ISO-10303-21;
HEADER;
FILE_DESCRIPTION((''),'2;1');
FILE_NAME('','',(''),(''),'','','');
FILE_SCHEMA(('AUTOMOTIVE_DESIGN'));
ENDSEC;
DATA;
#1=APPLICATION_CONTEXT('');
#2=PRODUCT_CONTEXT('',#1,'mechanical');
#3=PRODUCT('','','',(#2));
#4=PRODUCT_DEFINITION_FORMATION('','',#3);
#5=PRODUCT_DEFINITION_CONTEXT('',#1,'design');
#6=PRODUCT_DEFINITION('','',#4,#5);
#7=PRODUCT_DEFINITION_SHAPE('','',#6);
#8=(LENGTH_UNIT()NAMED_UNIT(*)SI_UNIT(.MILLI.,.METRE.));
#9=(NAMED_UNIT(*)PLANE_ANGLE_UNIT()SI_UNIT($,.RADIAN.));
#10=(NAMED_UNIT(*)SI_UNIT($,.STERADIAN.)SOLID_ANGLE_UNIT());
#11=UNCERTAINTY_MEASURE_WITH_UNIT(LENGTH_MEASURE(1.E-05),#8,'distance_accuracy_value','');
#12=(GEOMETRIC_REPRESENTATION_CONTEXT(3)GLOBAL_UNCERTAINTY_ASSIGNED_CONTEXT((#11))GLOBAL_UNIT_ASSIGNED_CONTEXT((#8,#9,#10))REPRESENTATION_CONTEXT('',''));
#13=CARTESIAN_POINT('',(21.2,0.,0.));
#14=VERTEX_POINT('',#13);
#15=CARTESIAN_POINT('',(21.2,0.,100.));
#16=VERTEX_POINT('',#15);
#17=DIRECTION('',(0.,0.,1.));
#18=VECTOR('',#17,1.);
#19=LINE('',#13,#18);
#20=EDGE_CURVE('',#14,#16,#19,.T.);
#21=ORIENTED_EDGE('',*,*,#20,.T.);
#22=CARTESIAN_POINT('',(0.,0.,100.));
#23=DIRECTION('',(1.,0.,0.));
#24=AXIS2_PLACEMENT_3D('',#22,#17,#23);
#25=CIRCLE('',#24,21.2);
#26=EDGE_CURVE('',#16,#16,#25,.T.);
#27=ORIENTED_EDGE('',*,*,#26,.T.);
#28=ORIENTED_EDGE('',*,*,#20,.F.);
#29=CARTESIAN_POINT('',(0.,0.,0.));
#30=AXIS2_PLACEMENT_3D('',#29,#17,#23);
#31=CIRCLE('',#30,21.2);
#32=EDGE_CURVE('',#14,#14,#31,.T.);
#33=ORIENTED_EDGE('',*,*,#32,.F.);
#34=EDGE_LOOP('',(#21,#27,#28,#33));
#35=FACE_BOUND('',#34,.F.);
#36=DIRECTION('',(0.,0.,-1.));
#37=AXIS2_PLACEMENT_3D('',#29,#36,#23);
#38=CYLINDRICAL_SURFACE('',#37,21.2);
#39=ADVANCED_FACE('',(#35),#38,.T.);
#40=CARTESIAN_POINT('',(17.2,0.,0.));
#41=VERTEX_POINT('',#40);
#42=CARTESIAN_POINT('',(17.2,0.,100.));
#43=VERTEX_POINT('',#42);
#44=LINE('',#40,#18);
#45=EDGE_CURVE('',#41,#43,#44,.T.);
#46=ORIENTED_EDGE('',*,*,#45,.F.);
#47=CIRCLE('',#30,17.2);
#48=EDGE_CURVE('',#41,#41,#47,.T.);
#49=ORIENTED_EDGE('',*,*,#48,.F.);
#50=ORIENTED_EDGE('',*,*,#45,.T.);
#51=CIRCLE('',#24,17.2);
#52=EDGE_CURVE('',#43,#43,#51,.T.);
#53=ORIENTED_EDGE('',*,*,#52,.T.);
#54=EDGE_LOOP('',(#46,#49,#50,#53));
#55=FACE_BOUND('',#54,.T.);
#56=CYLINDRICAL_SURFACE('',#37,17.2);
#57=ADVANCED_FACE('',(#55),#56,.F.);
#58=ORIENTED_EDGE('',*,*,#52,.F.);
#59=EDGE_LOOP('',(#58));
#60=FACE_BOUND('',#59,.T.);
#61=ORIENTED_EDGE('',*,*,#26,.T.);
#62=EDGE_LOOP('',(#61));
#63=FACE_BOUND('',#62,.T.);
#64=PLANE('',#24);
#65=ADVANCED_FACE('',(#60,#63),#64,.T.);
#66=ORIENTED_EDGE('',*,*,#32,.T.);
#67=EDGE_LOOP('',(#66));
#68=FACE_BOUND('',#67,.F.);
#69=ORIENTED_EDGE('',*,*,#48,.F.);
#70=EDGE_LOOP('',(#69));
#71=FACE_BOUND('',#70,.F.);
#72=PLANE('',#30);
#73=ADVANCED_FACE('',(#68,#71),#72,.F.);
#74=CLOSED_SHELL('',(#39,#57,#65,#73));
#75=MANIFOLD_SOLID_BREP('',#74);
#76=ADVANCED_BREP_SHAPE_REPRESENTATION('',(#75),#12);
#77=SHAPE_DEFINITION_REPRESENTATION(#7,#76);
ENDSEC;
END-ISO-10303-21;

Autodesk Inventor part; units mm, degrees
ref_plane "YZ Plane" through (0, 0, 0) normal (1, 0, 0) x (0, 1, 0)
ref_plane "Start plane" through (0, 0, 0) normal (0, 0, 1) x (1, 0, 0)
ref_plane "End plane" through (0, 0, 100) normal (0, 0, 1) x (1, 0, 0)
sketch "Sketch" plane through (0, 0, 0) normal (0, 0, 1) x (1, 0, 0)
  circle A0 centre (0, 0) radius 17.2
  circle A1 centre (0, 0) radius 21.2
  dimension "d0" = 42.4
  dimension "d1" = 4
extrude "Body" add sketch "Sketch" along normal up to surface (100 mm away) from surface at 0
sketch "Sketch3" plane through (0, 0, 0) normal (0, 0, 1) x (1, 0, 0)
  line L0 (0, 0) -> (10, 0)
ref_plane "Work Plane3" through (0, 0, 0) normal (0, -1, 0) x (1, 0, 0)
sketch "Sketch4" plane through (0, 0, 0) normal (0, -1, 0) x (1, 0, 0)
  line L0 (-2, 0) -> (12, 0)
  line L1 (-2, 100) -> (12, 100)
  dimension "G_OFFSET_END" = 0
  dimension "d7" = 100
equation "\"d0\" = G_H"
equation "\"d1\" = G_T"
equation "\"d2\" = G_L"
equation "\"G_OFFSET_END\" = 0"
equation "\"G_H\" = 42.4"
equation "\"G_T\" = 4"
equation "\"G_L\" = d7"
equation "\"G_OFFSET_START\" = 0"
properties part number "ISO 10799-2 - 42.4x4.0 - 100" material "Steel, Mild"
